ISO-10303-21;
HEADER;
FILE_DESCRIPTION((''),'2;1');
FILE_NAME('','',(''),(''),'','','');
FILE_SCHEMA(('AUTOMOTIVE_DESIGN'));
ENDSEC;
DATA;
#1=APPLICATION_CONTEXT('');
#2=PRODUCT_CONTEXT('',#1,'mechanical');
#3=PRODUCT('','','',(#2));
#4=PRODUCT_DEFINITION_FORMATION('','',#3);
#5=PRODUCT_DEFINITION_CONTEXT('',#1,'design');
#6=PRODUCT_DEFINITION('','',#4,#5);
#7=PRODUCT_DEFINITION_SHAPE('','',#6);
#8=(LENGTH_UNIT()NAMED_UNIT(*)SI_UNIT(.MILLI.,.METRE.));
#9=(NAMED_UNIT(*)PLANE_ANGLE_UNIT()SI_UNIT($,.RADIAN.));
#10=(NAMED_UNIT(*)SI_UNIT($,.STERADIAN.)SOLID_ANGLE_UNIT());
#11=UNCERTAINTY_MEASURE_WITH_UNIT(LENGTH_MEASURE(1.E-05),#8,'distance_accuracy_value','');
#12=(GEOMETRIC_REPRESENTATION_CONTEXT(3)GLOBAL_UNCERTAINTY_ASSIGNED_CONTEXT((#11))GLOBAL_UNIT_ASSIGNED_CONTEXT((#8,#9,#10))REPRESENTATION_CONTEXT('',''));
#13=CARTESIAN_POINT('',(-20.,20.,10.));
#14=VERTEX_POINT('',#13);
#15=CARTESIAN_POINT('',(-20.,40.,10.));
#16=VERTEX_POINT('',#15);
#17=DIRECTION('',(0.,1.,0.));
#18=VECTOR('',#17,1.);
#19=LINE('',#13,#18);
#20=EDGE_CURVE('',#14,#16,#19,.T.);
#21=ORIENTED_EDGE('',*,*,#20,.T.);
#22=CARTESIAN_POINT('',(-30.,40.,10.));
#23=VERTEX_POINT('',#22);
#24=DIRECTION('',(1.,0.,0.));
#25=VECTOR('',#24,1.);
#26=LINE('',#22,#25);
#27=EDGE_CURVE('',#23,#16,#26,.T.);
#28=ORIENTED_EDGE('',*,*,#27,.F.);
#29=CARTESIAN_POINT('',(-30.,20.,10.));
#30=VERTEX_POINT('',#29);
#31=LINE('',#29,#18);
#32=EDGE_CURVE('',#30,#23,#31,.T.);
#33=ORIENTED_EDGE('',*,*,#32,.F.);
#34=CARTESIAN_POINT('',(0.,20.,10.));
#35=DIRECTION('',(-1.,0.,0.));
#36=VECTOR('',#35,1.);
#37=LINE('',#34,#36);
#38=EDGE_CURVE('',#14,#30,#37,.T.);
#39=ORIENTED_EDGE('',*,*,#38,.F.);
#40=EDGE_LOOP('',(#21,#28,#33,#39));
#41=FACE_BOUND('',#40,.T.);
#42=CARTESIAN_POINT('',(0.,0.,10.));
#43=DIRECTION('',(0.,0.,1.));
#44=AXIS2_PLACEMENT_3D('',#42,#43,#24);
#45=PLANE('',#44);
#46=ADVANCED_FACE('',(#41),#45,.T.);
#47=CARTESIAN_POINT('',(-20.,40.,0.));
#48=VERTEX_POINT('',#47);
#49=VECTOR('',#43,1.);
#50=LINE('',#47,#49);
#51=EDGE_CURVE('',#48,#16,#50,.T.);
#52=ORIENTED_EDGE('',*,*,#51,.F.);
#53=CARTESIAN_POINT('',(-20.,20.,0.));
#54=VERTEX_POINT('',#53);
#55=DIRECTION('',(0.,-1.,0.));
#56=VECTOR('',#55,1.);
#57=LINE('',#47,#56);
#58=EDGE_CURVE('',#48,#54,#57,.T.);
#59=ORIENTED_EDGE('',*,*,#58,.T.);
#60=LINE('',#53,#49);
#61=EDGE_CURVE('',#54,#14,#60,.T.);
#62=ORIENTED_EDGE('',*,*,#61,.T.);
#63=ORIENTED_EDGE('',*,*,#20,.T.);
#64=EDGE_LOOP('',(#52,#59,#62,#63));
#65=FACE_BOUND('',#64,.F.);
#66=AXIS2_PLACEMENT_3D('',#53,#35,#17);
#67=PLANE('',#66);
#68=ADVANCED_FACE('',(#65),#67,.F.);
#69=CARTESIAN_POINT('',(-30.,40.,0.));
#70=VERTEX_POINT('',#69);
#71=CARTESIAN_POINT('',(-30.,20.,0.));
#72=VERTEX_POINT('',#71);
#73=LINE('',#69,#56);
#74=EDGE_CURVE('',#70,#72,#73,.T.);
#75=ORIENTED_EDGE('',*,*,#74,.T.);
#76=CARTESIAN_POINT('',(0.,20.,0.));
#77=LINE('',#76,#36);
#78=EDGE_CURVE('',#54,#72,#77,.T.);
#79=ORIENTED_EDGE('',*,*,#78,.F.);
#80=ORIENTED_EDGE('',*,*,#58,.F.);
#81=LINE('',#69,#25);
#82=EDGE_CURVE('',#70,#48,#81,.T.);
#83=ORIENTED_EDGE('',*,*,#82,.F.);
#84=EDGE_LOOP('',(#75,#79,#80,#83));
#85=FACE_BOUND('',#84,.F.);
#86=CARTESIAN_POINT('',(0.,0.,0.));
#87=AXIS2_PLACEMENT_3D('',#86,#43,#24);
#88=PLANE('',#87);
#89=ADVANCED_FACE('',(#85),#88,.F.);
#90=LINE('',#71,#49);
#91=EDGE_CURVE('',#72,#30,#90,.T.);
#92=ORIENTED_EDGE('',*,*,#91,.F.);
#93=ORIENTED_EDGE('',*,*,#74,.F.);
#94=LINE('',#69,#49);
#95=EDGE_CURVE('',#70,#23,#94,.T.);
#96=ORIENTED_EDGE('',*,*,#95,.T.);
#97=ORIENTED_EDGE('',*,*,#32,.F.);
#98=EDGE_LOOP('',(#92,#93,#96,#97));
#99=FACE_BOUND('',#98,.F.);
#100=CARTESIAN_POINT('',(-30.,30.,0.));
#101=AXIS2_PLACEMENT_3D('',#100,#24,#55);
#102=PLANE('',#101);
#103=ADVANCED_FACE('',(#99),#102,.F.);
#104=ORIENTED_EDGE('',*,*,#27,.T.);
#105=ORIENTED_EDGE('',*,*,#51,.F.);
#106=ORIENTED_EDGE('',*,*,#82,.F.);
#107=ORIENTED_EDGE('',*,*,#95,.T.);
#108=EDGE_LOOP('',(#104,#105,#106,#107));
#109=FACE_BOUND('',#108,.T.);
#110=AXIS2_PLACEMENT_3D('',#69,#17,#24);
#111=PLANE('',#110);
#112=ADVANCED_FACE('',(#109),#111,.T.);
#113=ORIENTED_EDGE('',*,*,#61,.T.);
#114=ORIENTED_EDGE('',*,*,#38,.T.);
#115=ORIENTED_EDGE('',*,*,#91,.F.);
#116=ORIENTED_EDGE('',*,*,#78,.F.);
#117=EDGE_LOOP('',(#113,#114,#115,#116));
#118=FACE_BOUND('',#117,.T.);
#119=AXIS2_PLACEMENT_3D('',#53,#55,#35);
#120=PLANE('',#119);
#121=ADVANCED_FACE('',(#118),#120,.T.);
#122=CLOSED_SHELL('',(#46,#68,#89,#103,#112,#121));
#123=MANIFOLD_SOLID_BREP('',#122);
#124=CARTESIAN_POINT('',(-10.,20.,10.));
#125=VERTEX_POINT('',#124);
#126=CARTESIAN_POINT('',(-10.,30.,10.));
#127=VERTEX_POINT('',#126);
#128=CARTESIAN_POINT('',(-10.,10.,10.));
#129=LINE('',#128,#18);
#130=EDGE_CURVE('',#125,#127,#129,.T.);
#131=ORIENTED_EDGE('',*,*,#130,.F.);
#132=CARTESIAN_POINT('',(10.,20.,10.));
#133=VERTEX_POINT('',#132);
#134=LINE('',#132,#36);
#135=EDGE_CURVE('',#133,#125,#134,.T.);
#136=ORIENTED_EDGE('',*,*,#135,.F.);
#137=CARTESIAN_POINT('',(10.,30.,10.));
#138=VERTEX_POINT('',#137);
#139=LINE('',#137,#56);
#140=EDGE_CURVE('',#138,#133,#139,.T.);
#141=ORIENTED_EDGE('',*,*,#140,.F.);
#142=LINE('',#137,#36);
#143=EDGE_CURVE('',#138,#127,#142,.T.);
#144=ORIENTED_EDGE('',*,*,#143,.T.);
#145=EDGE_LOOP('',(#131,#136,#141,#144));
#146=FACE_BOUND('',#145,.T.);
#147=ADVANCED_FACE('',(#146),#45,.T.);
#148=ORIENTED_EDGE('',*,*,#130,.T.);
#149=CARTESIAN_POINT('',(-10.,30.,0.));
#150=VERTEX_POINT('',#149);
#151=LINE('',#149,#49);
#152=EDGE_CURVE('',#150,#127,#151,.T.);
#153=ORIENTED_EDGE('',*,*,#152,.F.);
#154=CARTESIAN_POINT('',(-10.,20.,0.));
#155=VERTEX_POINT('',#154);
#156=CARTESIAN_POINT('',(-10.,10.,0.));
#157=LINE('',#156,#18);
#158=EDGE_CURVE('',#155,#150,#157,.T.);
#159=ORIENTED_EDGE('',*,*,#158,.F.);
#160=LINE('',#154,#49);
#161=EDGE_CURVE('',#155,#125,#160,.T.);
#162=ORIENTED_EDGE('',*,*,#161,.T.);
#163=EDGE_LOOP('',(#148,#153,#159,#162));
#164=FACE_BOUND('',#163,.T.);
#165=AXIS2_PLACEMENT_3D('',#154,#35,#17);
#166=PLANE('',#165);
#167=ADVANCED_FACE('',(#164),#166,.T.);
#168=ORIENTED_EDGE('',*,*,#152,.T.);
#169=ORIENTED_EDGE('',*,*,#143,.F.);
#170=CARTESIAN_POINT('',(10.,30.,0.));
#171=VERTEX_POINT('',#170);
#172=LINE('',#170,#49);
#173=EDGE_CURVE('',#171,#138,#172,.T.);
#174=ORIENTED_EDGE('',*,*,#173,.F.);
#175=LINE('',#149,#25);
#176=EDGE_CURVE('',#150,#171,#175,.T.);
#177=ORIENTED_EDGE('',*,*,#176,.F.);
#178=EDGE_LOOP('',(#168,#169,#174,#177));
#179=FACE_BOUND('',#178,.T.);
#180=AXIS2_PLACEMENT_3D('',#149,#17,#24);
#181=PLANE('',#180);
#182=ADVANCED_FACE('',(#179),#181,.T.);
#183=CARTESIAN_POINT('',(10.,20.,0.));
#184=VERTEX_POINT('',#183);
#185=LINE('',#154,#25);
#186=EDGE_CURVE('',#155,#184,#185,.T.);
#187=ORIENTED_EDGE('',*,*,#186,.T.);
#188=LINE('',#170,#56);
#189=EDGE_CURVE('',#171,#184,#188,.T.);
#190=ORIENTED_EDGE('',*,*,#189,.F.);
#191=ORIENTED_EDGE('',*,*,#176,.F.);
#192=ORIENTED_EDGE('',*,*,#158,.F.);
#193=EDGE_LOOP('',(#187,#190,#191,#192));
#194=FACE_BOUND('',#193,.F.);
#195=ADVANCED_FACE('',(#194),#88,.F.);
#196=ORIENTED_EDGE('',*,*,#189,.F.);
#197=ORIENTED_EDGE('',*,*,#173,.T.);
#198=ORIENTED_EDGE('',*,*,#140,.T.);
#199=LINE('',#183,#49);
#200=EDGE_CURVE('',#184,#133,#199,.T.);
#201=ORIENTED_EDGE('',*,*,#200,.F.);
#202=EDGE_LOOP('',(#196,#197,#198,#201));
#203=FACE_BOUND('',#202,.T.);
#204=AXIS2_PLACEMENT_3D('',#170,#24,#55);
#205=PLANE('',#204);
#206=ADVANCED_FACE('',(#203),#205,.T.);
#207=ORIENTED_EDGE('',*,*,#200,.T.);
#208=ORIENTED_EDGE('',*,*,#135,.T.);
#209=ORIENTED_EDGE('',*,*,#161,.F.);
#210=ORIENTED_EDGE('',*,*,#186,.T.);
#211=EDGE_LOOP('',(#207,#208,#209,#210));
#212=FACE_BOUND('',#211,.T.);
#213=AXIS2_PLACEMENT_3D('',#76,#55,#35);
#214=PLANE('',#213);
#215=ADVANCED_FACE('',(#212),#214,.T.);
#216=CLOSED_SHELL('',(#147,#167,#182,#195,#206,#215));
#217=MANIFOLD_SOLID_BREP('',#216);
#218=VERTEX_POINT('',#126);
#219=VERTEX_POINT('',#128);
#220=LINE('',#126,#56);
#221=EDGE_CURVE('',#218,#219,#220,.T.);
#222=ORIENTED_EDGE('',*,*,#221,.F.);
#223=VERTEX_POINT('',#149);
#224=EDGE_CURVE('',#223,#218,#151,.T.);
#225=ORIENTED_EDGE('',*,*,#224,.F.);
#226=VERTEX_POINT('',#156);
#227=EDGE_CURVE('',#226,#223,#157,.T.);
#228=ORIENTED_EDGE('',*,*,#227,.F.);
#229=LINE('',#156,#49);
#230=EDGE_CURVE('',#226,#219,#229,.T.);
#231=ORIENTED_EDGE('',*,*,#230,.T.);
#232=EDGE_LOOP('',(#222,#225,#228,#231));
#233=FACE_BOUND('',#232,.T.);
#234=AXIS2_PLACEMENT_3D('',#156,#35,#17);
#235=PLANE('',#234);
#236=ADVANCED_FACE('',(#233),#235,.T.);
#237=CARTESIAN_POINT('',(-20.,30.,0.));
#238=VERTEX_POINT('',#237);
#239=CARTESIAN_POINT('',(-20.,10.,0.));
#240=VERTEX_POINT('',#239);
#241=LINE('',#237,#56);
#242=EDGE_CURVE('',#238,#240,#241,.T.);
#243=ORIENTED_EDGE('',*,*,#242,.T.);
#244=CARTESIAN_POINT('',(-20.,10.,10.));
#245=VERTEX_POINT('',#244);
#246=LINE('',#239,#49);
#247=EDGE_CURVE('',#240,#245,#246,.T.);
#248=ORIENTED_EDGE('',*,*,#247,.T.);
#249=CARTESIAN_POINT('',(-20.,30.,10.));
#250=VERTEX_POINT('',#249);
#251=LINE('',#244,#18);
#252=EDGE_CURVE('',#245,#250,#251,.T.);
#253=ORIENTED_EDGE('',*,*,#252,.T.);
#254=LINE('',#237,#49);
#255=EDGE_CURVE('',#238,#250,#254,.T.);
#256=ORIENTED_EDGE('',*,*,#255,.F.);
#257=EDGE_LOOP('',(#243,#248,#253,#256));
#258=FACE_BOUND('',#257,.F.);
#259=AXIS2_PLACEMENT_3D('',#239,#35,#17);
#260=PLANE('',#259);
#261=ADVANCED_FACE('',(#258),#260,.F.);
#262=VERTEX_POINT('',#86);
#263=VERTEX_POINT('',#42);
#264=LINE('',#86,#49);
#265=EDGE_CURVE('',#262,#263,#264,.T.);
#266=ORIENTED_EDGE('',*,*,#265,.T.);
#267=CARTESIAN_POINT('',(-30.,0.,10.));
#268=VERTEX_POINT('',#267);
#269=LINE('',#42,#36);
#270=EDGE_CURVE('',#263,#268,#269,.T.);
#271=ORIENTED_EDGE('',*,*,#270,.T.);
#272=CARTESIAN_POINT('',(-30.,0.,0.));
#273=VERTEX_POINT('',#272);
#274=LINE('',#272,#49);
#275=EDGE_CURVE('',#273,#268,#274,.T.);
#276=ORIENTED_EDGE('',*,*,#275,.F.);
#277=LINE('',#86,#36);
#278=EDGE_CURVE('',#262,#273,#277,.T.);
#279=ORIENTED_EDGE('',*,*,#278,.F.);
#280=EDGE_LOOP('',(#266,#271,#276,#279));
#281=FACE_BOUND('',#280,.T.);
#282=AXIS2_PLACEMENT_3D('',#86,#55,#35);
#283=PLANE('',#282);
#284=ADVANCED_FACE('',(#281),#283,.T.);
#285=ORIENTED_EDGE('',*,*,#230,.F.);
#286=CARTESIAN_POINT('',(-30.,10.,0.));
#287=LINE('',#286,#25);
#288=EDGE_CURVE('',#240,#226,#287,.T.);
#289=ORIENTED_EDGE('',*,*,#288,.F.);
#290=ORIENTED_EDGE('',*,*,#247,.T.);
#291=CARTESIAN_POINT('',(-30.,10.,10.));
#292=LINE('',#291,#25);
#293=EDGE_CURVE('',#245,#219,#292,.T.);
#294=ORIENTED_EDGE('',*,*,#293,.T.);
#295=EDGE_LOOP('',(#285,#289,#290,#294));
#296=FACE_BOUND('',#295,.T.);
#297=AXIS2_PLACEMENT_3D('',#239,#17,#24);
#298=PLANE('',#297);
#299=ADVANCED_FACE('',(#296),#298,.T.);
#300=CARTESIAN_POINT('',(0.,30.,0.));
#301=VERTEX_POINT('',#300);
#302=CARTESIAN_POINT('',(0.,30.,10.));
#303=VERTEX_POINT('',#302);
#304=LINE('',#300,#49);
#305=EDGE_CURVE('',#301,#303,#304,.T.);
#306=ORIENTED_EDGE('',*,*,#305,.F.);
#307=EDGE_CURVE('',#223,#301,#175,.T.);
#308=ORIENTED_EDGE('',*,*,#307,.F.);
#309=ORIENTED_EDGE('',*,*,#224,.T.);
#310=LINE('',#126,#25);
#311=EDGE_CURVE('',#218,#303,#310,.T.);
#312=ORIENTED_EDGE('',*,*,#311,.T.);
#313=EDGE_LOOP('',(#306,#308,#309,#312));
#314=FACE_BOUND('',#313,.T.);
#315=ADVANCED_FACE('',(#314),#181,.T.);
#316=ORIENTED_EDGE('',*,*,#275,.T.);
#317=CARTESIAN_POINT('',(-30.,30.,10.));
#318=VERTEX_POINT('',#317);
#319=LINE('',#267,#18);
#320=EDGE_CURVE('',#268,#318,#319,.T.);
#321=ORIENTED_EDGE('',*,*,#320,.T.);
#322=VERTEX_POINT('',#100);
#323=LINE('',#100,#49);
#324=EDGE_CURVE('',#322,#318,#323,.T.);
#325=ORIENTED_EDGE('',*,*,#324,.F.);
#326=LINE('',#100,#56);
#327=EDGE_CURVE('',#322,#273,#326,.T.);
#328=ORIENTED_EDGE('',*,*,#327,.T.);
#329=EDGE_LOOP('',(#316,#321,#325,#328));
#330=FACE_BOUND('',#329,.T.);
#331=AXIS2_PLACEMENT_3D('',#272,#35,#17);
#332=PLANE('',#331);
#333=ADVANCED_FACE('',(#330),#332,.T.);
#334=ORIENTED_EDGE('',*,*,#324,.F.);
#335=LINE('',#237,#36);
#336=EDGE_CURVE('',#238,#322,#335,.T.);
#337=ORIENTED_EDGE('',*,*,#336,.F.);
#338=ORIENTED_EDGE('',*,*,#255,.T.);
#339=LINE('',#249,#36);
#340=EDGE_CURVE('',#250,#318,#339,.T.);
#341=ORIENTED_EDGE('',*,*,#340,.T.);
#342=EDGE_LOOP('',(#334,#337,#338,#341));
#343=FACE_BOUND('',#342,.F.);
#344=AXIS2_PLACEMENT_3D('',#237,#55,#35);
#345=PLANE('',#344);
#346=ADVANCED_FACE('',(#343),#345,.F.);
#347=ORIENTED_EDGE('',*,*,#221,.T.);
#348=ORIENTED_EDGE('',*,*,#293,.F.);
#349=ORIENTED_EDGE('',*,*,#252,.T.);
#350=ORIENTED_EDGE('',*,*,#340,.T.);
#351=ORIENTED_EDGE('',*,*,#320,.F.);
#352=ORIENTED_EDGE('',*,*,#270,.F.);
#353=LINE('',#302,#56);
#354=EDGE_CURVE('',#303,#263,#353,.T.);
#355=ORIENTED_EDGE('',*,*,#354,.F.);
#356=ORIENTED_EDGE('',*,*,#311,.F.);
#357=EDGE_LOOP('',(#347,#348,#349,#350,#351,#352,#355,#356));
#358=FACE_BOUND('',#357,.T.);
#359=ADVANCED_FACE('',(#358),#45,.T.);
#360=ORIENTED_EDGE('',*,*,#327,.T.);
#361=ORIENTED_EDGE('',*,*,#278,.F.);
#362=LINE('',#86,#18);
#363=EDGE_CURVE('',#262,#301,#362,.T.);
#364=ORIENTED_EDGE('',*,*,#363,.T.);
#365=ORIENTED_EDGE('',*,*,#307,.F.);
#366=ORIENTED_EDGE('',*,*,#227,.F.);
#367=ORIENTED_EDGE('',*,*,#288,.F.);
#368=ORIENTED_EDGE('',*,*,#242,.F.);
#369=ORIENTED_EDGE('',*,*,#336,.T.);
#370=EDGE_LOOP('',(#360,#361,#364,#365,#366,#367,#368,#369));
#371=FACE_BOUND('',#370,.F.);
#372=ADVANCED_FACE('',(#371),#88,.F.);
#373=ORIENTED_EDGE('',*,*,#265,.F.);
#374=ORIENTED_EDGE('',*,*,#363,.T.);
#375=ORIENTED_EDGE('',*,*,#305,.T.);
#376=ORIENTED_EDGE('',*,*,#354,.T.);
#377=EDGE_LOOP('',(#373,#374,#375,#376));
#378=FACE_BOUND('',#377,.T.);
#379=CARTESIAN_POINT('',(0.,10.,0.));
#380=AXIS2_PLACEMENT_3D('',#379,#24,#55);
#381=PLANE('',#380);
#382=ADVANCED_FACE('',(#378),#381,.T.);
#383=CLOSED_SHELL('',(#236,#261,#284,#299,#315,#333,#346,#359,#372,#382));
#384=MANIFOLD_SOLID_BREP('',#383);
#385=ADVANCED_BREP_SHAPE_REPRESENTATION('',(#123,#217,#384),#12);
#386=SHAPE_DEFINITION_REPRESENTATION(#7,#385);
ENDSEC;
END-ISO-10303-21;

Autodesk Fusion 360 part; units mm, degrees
sketch "Sketch1" plane through (0, 0, 0) normal (0, 0, 1) x (1, 0, 0)
  line L0 (0, 0) -> (-30, 0)
  line L1 (-30, 0) -> (-30, 10)
  line L2 (-30, 10) -> (0, 10)
  line L3 (0, 10) -> (0, 0)
  line L4 (-30, 10) -> (-20, 10)
  line L5 (-20, 10) -> (-20, 30)
  line L6 (-20, 30) -> (-30, 30)
  line L7 (-30, 30) -> (-30, 10)
  line L8 (0, 10) -> (-10, 10)
  line L9 (-10, 10) -> (-10, 30)
  line L10 (-10, 30) -> (0, 30)
  line L11 (0, 30) -> (0, 10)
  line L12 (-30, 30) -> (0, 30)
  line L13 (0, 30) -> (0, 20)
  line L14 (0, 20) -> (-30, 20)
  line L15 (-30, 20) -> (-30, 30)
  line L16 (-20, 30) -> (-30, 30)
  line L17 (-30, 30) -> (-30, 40)
  line L18 (-30, 40) -> (-20, 40)
  line L19 (-20, 40) -> (-20, 30)
  line L20 (0, 30) -> (10, 30)
  line L21 (10, 30) -> (10, 20)
  line L22 (10, 20) -> (0, 20)
  line L23 (0, 20) -> (0, 30)
extrude "Extrude1" add sketch "Sketch1" along normal blind 10 contours L0 L1 L2 L3 L4 L8 | L2 L8 L9 L11 L14 | L2 L4 L5 L7 L14 | L9 L10 L11 L12 L13 L14 L23 | L5 L6 L7 L12 L14 L15 L16 makes body 1
extrude "Extrude2" add sketch "Sketch1" along normal blind 10 separate body contours L9 L10 L11 L12 L13 L14 L23 | L11 L13 L20 L21 L22 L23 | L5 L6 L7 L12 L14 L15 L16 | L6 L12 L16 L17 L18 L19 makes body 2 at (-3.3333, 23.3333, 0) makes body 3 at (-26.6667, 26.6667, 0) in component "Tool"
component "Tool" placed x (1, 0, 0) y (0, 1, 0) z (0, 0, 1) at (0, 0, 0)
